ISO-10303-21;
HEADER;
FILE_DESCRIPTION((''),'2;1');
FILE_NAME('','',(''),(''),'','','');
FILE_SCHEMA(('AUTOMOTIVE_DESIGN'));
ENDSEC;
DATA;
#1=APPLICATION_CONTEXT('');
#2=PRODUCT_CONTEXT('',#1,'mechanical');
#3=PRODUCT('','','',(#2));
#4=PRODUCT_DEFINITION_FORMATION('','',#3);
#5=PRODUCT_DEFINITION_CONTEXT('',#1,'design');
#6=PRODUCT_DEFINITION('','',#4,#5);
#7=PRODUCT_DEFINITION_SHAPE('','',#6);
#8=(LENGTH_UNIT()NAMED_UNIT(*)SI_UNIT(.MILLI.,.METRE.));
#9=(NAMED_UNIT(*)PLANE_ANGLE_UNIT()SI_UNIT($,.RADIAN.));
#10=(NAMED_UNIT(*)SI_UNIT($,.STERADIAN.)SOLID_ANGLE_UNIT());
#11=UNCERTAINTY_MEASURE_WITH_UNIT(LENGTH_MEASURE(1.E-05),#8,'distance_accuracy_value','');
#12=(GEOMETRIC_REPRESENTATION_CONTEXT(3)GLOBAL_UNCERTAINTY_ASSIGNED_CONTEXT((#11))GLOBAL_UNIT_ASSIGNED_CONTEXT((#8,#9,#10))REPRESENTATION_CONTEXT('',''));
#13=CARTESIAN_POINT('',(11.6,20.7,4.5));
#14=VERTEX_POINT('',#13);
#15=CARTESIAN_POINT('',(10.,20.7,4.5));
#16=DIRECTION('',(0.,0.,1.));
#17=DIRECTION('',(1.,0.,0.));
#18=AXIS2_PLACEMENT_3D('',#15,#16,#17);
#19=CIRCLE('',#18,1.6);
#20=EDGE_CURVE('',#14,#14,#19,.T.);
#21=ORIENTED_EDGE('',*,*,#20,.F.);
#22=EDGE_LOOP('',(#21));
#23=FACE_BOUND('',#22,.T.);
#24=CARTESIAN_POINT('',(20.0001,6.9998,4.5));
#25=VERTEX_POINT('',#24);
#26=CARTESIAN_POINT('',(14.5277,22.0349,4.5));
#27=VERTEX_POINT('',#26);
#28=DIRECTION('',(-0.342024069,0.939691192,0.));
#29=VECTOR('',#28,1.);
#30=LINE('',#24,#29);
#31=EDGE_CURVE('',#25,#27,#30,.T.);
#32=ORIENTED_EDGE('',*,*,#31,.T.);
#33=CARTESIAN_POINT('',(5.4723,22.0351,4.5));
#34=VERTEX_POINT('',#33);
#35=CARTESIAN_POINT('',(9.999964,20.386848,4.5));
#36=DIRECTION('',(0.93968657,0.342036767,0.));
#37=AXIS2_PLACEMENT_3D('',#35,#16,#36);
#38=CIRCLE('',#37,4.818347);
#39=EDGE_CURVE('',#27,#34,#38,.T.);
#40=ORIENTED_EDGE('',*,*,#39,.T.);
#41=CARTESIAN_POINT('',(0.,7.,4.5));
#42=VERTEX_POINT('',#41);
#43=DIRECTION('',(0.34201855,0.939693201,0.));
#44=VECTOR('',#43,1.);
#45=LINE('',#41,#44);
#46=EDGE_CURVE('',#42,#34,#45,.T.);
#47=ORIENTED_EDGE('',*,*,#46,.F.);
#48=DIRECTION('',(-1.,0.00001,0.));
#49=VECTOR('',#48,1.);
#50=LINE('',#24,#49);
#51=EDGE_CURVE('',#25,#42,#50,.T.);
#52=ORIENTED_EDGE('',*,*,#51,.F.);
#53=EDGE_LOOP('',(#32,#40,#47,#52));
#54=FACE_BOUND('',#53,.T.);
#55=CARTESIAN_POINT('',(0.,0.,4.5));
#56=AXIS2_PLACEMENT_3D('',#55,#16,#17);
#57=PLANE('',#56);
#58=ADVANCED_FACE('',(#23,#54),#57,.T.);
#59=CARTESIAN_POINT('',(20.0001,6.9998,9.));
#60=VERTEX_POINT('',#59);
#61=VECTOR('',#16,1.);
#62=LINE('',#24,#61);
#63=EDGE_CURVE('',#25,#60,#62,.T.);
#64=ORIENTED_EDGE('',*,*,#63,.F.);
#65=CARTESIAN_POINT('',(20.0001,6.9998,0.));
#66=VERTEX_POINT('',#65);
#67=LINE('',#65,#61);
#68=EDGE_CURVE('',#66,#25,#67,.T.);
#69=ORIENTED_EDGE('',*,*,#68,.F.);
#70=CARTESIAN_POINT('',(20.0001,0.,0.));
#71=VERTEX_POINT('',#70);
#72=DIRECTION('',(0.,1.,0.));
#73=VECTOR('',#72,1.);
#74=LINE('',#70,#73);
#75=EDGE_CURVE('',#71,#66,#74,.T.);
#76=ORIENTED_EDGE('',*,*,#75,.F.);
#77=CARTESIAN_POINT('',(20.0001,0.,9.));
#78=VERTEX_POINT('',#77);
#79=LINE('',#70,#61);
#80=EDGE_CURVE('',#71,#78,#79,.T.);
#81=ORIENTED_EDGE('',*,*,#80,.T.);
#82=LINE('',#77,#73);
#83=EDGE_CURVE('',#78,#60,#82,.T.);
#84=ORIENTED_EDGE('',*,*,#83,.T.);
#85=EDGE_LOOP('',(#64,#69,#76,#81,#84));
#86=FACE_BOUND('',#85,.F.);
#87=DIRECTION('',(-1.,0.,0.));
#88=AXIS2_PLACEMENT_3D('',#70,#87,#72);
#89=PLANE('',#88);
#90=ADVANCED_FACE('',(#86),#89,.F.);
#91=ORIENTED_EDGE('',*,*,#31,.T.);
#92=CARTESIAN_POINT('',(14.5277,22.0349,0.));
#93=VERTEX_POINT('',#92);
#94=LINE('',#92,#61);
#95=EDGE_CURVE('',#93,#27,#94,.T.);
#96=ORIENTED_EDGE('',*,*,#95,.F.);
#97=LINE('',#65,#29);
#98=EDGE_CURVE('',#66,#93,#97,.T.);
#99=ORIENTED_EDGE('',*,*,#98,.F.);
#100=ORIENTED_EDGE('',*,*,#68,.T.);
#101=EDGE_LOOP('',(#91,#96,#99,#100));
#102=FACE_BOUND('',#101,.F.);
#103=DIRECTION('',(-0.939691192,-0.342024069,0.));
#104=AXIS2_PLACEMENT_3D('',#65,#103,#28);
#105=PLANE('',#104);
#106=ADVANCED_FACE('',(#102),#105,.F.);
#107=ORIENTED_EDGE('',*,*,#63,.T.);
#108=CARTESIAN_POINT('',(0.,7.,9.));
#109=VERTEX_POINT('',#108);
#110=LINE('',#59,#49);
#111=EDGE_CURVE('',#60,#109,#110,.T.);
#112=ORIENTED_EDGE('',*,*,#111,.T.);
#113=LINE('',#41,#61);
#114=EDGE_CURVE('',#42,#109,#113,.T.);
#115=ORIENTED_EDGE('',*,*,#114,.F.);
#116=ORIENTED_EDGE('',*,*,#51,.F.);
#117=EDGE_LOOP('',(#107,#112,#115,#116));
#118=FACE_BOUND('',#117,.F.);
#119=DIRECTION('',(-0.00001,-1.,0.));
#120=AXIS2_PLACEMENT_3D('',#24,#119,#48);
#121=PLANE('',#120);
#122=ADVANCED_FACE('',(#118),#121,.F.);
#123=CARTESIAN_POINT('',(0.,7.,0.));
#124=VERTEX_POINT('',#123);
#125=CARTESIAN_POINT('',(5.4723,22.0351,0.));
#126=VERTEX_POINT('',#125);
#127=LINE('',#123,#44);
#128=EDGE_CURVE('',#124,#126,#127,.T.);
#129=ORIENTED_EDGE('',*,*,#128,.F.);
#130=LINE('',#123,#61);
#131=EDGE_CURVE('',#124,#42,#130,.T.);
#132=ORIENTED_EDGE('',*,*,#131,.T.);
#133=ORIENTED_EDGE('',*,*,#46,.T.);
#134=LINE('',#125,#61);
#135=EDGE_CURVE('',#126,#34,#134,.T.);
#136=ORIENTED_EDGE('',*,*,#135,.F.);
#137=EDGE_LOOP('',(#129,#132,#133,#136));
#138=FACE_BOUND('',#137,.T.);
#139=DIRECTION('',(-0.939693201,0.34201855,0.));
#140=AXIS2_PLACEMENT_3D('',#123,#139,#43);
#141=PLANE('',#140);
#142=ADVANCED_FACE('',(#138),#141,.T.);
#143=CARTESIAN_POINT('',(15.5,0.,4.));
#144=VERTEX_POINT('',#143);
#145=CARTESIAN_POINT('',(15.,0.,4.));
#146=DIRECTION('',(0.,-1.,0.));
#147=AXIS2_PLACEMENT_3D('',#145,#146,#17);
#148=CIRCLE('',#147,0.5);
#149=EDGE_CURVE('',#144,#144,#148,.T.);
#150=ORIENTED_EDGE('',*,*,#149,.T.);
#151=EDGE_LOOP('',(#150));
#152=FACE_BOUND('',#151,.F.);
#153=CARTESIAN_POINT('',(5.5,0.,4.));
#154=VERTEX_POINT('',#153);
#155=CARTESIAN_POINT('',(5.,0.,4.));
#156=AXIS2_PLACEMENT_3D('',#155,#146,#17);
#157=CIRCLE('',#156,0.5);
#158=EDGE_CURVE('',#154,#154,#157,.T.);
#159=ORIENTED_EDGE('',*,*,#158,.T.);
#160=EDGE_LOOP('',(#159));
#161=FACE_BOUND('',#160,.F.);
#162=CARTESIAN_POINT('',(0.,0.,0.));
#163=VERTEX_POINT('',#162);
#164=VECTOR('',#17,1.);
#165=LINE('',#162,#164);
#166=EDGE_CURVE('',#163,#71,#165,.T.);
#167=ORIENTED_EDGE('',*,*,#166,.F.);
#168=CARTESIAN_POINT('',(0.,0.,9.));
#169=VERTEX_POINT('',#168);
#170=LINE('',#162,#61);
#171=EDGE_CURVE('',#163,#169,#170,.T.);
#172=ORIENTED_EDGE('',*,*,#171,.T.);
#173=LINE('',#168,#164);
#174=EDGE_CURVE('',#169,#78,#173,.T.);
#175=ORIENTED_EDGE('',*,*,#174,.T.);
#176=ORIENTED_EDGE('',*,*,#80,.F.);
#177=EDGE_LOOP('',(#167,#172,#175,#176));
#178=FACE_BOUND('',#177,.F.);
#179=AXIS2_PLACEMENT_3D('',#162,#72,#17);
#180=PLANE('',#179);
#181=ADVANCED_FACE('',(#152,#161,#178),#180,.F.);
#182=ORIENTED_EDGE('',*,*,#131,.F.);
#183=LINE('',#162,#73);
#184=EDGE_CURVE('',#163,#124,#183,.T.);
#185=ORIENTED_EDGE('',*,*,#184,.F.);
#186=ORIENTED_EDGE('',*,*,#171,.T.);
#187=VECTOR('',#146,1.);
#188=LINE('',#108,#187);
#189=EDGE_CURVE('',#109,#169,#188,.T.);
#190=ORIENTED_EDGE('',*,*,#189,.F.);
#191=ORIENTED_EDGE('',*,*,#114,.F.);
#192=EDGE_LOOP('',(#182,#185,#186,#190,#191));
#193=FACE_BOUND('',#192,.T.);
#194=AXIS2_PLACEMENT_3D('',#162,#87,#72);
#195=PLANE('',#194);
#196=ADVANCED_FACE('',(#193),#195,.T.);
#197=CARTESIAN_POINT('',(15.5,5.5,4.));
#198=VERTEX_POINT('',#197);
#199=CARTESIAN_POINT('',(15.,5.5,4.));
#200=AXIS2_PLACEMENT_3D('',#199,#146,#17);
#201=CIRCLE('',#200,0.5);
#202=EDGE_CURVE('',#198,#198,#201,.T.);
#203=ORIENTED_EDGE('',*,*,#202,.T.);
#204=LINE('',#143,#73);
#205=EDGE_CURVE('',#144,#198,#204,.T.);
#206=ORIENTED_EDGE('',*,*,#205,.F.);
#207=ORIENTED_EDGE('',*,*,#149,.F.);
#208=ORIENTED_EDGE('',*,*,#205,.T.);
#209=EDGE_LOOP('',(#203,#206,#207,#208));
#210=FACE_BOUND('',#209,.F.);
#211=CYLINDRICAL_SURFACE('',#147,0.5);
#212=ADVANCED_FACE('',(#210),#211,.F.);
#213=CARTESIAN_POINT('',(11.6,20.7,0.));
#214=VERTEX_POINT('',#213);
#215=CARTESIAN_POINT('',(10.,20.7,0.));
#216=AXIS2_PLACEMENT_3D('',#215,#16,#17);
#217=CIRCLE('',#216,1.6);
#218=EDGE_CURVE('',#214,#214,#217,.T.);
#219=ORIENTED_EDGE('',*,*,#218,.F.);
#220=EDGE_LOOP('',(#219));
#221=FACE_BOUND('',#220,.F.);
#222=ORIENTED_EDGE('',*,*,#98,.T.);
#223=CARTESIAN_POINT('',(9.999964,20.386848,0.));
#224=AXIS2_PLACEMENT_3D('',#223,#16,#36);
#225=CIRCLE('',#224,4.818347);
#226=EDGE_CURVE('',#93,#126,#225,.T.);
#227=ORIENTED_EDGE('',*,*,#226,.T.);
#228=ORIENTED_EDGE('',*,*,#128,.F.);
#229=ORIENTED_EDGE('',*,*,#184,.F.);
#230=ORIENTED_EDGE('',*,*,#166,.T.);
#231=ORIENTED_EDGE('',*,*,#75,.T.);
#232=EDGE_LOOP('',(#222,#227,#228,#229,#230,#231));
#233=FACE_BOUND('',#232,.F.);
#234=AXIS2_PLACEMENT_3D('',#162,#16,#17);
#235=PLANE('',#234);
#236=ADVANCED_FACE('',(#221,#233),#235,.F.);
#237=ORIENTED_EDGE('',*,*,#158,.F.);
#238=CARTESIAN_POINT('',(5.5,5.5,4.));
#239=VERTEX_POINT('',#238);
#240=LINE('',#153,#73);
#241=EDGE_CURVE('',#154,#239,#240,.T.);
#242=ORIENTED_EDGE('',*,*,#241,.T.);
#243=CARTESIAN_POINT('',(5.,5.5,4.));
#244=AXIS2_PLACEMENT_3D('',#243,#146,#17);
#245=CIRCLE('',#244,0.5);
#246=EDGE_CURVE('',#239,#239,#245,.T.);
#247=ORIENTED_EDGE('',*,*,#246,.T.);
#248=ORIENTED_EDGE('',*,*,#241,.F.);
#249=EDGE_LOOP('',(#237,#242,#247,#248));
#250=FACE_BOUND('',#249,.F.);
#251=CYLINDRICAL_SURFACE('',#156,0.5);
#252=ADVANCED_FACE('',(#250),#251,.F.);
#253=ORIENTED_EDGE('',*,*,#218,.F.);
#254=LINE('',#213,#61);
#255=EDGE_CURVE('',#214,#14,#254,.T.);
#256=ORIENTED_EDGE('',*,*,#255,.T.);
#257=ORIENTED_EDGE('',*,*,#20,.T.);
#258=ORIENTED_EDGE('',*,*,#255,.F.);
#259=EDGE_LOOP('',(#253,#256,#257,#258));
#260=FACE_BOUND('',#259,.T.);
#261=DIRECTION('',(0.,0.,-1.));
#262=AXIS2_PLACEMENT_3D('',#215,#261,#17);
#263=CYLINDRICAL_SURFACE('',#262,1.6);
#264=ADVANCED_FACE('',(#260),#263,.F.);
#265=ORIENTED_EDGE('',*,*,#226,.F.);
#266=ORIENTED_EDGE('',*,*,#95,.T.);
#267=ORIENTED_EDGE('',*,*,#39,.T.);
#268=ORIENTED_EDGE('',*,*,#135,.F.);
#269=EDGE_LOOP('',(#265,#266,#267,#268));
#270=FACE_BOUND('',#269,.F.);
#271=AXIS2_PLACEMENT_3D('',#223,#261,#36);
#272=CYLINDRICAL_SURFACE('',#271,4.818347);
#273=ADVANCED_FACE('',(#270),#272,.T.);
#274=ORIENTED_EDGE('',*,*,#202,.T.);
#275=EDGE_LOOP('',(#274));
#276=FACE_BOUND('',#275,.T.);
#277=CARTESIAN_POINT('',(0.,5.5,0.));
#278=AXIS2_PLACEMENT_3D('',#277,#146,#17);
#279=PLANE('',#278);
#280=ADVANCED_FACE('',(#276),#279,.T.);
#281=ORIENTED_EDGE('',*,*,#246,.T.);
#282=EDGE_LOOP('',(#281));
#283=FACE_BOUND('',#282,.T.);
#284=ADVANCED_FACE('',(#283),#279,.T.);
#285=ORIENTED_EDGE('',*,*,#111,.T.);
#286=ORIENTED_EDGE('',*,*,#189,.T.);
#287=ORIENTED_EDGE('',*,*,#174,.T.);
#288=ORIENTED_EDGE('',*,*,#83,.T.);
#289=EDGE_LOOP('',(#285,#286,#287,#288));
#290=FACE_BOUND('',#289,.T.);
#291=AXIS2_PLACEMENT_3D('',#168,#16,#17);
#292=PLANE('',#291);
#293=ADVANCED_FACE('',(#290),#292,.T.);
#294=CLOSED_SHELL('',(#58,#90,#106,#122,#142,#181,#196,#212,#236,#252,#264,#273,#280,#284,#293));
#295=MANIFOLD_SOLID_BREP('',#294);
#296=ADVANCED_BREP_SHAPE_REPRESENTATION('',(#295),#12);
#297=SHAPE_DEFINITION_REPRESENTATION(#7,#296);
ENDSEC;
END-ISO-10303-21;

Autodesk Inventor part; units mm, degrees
ref_plane "YZ Plane" through (0, 0, 0) normal (1, 0, 0) x (0, 1, 0)
ref_plane "XZ Plane" through (0, 0, 0) normal (0, 1, 0) x (-1, 0, 0)
ref_plane "XY Plane" through (0, 0, 0) normal (0, 0, 1) x (1, 0, 0)
sketch "Sketch1" plane through (0, 0, 0) normal (0, 0, 1) x (1, 0, 0)
  circle A0 centre (10, 20.7) radius 1.6
  line L0 (0, 0) -> (20.0001, 0)
  line L1 (0, 0) -> (0, 7)
  line L2 (20.0001, 0) -> (20.0001, 6.9998)
  line L3 (0, 7) -> (5.4723, 22.0351)
  line L4 (0, 7) -> (16, 7) construction
  line L5 (20.0001, 6.9998) -> (14.5277, 22.0349)
  line L6 (20.0001, 6.9998) -> (36.0001, 6.9998) construction
  arc A1 (14.5277, 22.0349) -> (5.4723, 22.0351) centre (10, 20.3869) ccw
  dimension "d17" = 7
  dimension "d18" = 6.9998
  dimension "d19" = 20.7
  dimension "d23" = 90
  dimension "d24" = 90
  dimension "d25" = 10
  dimension "d26" = 16
  dimension "d27" = 70
  dimension "d28" = 16
  dimension "d29" = 110
  dimension "d30" = 10
sketch "Sketch3" plane through (0, 0, 0) normal (0, 0, 1) x (1, 0, 0)
  point P0 (0, 0)
extrude "Extrusion1" add sketch "Sketch1" along normal blind 4.5
sketch "Sketch4" plane through (0, 0, 4.5) normal (0, 0, 1) x (1, 0, 0)
  line L0 (0, 7) -> (0, 0) projected
  line L1 (20.0001, 0) -> (20.0001, 6.9998) projected
  line L2 (0, 0) -> (20.0001, 0)
  line L3 (20.0001, 0) -> (20.0001, 6.9998)
  line L4 (3.884, 22.9404) -> (-0.0481, 7.0119) projected
  line L5 (20.0001, 6.9998) -> (0, 6.9998)
  line L6 (0, 7) -> (0, 0)
extrude "Extrusion2" add sketch "Sketch4" along normal blind 4.5
sketch "Sketch5" plane through (0, 0, 0) normal (0, -1, 0) x (1, 0, 0)
  circle A0 centre (5, 4) radius 0.5
  circle A1 centre (15, 4) radius 0.5
  line L0 (0, 0) -> (20.0001, 0) projected
  line L1 (0, 9) -> (20.0001, 9) projected
  dimension "d13" = 1
  dimension "d14" = 1
  dimension "d33" = 5
  dimension "d34" = 5
extrude "Extrusion3" cut sketch "Sketch5" against normal blind 5.5
properties part number "upper_deck_shaft_mount_for_AD"
